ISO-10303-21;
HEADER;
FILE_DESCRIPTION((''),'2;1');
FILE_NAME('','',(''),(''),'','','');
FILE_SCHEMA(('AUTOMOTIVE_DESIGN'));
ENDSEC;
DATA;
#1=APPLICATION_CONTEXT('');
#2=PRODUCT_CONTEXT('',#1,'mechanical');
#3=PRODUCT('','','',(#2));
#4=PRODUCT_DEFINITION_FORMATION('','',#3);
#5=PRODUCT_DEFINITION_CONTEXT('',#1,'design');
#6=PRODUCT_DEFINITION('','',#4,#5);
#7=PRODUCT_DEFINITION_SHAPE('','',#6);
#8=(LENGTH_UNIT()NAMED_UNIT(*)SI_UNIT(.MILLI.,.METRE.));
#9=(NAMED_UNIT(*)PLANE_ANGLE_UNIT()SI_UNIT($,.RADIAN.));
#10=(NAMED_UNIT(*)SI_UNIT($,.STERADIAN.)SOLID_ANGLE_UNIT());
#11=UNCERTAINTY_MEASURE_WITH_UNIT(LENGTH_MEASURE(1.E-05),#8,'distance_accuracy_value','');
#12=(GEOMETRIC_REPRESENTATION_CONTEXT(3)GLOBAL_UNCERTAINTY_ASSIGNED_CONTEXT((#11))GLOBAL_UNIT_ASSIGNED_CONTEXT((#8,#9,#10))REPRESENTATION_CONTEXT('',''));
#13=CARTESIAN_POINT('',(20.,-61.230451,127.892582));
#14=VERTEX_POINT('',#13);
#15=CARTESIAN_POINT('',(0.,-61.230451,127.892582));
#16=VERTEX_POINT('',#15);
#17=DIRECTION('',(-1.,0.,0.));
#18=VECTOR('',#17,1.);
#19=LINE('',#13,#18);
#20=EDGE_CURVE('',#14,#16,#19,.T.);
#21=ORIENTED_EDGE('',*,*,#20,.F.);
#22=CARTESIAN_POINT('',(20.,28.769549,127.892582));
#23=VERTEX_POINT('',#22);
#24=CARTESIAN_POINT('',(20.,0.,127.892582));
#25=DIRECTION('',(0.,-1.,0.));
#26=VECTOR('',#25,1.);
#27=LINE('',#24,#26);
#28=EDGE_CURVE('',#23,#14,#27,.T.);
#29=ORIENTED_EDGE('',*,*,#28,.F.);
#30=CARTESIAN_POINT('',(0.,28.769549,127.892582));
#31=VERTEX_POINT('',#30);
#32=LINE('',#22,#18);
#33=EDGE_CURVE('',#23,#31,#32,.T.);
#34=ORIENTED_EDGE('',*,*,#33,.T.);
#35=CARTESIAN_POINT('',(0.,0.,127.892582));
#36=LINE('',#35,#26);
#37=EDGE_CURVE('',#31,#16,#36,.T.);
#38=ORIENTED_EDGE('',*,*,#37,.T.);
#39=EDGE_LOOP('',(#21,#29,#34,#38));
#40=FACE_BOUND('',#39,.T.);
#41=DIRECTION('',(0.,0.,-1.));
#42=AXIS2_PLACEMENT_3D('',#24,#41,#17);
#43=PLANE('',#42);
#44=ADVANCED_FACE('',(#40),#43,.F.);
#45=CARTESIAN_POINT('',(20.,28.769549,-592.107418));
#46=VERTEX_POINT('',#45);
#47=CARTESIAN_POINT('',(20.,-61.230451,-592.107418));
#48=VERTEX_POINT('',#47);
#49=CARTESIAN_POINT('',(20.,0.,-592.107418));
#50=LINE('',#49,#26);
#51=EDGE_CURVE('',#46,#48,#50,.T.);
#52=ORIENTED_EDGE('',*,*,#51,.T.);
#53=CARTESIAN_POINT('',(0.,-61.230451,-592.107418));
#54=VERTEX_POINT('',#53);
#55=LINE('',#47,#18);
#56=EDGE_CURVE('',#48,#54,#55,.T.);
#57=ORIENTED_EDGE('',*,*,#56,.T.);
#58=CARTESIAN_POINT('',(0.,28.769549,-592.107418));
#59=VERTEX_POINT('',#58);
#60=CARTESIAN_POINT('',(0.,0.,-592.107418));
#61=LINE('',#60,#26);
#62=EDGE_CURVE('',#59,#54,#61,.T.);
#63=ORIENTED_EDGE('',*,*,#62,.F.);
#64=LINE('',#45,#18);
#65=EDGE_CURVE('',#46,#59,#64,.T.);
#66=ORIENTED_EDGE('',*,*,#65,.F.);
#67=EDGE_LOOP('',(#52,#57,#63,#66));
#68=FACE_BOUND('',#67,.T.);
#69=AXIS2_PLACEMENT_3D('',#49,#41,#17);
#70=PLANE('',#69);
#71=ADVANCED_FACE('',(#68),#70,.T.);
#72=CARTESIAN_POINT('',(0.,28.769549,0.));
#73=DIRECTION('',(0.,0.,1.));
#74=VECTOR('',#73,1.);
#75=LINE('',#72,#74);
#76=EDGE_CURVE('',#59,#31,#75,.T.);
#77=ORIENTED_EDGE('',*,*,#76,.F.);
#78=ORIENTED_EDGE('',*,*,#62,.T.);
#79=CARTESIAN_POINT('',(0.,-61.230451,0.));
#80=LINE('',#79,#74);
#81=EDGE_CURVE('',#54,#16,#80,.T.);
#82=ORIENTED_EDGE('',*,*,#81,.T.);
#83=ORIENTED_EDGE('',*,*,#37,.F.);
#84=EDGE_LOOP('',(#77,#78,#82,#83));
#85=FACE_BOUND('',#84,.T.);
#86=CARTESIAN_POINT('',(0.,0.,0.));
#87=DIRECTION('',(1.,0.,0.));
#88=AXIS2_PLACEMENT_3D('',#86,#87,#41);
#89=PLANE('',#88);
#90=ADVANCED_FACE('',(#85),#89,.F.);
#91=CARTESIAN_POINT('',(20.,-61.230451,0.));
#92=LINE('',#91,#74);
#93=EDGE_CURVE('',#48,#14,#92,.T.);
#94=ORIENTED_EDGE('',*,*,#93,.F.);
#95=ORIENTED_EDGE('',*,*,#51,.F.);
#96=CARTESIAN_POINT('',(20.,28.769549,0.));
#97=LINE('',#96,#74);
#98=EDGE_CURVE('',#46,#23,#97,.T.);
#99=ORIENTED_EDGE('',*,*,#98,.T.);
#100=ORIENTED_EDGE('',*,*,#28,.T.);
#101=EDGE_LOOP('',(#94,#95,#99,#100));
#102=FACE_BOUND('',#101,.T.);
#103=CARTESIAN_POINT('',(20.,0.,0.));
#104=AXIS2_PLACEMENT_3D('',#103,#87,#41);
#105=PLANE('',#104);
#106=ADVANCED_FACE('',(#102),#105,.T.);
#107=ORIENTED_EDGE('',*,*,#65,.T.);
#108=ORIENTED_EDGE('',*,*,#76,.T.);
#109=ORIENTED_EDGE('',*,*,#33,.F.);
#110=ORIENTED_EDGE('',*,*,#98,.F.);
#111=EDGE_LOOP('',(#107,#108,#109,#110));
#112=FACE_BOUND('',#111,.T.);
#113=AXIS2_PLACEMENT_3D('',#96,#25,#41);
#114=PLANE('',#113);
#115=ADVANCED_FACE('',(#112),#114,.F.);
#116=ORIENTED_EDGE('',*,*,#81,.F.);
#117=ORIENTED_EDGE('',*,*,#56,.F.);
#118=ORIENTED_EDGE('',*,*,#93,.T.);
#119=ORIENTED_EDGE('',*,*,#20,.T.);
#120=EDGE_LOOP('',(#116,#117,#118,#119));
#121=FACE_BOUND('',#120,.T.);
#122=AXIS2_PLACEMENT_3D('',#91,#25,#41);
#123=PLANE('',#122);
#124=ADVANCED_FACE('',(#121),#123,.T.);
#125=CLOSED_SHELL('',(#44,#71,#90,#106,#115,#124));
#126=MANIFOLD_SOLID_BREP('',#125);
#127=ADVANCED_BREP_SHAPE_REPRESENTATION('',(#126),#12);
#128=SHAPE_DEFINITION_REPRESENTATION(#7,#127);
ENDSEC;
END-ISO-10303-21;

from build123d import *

# Parameters (mm, degrees)
ESQUISSE1_W        = 720
ESQUISSE1_H        = 90
BOSS_EXTRU_1_DEPTH = 20


with BuildPart() as part:
    # Esquisse1 → Boss.-Extru.1 (new body)
    with BuildSketch(Plane(origin=(0, 0, 0), x_dir=(0, 0, -1), z_dir=(1, 0, 0))):
        with Locations((232.107417894, -16.230450587)):
            Rectangle(ESQUISSE1_W, ESQUISSE1_H)
    extrude(amount=BOSS_EXTRU_1_DEPTH)


solid = part.part
